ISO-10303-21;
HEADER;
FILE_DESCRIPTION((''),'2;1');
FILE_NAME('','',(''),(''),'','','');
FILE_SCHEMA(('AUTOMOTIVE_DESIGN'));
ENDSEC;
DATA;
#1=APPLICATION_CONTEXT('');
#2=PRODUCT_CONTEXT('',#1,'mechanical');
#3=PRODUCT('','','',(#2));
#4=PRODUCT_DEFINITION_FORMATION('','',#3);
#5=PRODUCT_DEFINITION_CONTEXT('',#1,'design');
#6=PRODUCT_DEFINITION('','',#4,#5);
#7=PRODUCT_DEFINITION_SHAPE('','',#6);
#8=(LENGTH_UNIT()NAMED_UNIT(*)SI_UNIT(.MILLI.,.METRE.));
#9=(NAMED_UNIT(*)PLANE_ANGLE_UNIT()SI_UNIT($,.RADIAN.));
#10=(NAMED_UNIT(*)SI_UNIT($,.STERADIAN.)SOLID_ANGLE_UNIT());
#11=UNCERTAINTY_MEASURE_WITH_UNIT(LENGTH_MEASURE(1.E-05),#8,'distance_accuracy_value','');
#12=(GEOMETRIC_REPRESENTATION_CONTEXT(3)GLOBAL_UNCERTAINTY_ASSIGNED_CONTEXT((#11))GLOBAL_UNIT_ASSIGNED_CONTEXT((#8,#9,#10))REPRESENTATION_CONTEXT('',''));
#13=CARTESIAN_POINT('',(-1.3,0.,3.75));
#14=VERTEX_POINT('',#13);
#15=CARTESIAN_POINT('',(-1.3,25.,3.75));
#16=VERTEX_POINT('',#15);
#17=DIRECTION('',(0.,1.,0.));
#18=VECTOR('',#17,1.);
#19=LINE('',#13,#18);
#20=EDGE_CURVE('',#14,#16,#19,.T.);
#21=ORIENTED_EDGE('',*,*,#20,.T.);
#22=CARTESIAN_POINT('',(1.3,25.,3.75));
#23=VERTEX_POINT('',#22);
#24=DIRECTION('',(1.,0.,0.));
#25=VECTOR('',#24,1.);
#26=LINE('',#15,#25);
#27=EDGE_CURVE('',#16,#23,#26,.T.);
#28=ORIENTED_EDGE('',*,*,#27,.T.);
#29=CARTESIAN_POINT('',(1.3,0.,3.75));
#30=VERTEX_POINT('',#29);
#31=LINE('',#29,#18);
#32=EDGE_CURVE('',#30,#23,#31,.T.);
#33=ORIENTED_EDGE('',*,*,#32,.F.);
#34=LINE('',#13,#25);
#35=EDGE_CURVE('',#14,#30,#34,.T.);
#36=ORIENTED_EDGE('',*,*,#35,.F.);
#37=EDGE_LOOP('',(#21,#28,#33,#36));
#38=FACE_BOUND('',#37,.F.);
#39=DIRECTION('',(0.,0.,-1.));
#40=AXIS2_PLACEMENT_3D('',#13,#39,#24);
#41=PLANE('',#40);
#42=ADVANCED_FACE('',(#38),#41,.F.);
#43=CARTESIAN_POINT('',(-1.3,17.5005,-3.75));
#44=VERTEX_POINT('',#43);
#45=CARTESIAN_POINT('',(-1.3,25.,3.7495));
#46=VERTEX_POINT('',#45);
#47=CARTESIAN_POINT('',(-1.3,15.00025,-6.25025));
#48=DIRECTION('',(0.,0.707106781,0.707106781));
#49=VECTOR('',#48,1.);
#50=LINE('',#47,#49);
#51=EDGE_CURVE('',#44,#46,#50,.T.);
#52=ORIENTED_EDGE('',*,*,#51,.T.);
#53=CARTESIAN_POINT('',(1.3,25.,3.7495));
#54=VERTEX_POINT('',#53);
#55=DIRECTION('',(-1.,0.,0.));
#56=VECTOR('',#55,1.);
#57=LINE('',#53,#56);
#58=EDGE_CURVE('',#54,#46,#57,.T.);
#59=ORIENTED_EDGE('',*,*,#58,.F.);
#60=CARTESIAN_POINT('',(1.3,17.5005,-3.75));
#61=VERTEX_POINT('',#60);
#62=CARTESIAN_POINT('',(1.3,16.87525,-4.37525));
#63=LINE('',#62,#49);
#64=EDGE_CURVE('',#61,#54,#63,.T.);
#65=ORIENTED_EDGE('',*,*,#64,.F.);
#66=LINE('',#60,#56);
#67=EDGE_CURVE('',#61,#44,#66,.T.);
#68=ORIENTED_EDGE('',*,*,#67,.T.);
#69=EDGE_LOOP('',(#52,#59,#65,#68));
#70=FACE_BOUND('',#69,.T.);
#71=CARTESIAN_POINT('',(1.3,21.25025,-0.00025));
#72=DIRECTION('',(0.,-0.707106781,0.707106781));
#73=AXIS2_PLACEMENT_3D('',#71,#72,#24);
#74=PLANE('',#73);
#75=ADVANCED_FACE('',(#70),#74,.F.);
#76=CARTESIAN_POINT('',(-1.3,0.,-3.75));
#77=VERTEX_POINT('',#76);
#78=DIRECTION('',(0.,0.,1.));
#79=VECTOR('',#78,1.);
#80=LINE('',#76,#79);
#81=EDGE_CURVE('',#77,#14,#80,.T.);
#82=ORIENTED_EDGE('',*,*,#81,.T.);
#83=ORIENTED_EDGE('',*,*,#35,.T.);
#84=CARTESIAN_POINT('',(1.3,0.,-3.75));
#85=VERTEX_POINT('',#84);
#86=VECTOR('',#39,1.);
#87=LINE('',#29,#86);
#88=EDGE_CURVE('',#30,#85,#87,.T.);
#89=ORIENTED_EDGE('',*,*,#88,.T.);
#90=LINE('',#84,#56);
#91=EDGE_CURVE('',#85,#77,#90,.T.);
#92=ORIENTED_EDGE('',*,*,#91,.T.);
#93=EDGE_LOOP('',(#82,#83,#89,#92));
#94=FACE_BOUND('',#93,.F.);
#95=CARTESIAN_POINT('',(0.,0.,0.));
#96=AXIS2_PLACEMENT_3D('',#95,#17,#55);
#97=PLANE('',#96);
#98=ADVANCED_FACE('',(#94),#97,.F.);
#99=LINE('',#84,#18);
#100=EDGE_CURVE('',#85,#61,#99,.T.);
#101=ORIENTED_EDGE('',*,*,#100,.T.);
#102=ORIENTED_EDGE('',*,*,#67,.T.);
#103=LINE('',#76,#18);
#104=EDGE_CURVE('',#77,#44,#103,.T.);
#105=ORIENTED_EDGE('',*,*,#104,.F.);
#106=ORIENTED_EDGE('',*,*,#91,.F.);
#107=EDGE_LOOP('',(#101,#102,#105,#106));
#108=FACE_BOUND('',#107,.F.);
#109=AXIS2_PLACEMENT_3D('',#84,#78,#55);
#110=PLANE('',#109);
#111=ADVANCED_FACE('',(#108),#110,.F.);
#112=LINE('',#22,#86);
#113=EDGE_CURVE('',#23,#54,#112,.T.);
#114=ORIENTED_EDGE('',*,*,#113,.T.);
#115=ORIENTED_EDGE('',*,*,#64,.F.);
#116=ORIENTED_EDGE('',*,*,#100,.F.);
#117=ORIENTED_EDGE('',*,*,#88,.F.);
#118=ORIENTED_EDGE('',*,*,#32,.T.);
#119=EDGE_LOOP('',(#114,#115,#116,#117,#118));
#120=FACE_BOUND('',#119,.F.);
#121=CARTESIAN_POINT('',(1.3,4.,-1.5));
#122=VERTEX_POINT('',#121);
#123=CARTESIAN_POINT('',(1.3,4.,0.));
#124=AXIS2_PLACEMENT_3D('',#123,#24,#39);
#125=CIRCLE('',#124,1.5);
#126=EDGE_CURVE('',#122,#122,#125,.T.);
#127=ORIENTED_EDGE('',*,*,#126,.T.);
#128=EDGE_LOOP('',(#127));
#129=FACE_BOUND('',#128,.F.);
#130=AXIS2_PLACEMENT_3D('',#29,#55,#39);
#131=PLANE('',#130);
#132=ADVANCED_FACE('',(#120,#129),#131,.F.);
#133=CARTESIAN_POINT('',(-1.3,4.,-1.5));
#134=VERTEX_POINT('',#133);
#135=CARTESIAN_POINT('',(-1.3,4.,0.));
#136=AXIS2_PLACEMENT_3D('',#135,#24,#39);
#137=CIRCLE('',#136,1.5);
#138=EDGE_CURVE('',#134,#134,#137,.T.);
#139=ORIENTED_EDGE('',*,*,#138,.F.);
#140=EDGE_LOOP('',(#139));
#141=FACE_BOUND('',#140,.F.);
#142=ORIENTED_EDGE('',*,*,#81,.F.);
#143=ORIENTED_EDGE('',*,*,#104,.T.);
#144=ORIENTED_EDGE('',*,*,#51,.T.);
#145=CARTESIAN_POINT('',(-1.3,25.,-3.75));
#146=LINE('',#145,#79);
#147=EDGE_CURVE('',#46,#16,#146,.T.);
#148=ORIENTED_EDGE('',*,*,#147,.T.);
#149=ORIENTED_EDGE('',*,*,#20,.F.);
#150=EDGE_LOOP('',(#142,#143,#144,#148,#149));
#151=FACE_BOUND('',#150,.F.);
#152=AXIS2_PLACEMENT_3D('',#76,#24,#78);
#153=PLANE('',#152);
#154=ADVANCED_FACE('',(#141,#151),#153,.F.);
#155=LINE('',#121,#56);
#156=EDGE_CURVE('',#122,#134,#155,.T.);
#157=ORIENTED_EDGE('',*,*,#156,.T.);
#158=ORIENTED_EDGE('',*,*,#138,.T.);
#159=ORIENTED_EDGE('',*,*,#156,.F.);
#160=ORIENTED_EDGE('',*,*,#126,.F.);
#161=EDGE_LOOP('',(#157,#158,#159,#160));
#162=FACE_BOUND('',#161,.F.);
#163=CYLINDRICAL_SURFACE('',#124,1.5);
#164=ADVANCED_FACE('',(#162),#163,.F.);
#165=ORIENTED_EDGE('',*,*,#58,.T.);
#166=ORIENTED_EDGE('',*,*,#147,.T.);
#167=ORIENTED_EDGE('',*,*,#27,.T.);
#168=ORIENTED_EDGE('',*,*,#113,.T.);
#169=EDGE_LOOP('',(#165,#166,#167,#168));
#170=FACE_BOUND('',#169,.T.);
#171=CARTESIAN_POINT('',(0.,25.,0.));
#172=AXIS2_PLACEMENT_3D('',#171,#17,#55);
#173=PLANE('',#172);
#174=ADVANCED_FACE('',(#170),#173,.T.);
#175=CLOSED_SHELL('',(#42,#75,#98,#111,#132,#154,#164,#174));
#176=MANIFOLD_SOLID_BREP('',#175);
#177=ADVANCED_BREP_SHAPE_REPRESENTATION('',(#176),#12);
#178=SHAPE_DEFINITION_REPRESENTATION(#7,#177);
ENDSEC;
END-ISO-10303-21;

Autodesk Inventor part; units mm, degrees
ref_plane "YZ Plane" through (0, 0, 0) normal (1, 0, 0) x (0, 1, 0)
ref_plane "XZ Plane" through (0, 0, 0) normal (0, 1, 0) x (-1, 0, 0)
ref_plane "XY Plane" through (0, 0, 0) normal (0, 0, 1) x (1, 0, 0)
sketch "Sketch1" plane through (0, 0, 0) normal (0, 1, 0) x (-1, 0, 0)
  line L0 (-1.3, -3.75) -> (1.3, -3.75)
  line L1 (1.3, -3.75) -> (1.3, 3.75)
  line L2 (1.3, 3.75) -> (-1.3, 3.75)
  line L3 (-1.3, 3.75) -> (-1.3, -3.75)
  line L4 (-1.3, -3.75) -> (1.3, 3.75) construction
  line L5 (1.3, -3.75) -> (-1.3, 3.75) construction
  point P0 (0, 0)
  dimension "d0" = 2.6
  dimension "d1" = 7.5
extrude "Extrusion1" add sketch "Sketch1" along normal blind 25
chamfer "Chamfer1" distance 7.5 angle 45 1 edges at (0, 25, -3.75)
sketch "Sketch2" plane through (1.3, 0, 3.75) normal (1, 0, 0) x (0, 0, -1)
  circle A0 centre (3.75, 4) radius 1.5
  point P0 (3.75, 0)
  dimension "d7" = 3
  dimension "d8" = 4
extrude "Extrusion2" cut sketch "Sketch2" against normal blind 16
properties part number "locker"
